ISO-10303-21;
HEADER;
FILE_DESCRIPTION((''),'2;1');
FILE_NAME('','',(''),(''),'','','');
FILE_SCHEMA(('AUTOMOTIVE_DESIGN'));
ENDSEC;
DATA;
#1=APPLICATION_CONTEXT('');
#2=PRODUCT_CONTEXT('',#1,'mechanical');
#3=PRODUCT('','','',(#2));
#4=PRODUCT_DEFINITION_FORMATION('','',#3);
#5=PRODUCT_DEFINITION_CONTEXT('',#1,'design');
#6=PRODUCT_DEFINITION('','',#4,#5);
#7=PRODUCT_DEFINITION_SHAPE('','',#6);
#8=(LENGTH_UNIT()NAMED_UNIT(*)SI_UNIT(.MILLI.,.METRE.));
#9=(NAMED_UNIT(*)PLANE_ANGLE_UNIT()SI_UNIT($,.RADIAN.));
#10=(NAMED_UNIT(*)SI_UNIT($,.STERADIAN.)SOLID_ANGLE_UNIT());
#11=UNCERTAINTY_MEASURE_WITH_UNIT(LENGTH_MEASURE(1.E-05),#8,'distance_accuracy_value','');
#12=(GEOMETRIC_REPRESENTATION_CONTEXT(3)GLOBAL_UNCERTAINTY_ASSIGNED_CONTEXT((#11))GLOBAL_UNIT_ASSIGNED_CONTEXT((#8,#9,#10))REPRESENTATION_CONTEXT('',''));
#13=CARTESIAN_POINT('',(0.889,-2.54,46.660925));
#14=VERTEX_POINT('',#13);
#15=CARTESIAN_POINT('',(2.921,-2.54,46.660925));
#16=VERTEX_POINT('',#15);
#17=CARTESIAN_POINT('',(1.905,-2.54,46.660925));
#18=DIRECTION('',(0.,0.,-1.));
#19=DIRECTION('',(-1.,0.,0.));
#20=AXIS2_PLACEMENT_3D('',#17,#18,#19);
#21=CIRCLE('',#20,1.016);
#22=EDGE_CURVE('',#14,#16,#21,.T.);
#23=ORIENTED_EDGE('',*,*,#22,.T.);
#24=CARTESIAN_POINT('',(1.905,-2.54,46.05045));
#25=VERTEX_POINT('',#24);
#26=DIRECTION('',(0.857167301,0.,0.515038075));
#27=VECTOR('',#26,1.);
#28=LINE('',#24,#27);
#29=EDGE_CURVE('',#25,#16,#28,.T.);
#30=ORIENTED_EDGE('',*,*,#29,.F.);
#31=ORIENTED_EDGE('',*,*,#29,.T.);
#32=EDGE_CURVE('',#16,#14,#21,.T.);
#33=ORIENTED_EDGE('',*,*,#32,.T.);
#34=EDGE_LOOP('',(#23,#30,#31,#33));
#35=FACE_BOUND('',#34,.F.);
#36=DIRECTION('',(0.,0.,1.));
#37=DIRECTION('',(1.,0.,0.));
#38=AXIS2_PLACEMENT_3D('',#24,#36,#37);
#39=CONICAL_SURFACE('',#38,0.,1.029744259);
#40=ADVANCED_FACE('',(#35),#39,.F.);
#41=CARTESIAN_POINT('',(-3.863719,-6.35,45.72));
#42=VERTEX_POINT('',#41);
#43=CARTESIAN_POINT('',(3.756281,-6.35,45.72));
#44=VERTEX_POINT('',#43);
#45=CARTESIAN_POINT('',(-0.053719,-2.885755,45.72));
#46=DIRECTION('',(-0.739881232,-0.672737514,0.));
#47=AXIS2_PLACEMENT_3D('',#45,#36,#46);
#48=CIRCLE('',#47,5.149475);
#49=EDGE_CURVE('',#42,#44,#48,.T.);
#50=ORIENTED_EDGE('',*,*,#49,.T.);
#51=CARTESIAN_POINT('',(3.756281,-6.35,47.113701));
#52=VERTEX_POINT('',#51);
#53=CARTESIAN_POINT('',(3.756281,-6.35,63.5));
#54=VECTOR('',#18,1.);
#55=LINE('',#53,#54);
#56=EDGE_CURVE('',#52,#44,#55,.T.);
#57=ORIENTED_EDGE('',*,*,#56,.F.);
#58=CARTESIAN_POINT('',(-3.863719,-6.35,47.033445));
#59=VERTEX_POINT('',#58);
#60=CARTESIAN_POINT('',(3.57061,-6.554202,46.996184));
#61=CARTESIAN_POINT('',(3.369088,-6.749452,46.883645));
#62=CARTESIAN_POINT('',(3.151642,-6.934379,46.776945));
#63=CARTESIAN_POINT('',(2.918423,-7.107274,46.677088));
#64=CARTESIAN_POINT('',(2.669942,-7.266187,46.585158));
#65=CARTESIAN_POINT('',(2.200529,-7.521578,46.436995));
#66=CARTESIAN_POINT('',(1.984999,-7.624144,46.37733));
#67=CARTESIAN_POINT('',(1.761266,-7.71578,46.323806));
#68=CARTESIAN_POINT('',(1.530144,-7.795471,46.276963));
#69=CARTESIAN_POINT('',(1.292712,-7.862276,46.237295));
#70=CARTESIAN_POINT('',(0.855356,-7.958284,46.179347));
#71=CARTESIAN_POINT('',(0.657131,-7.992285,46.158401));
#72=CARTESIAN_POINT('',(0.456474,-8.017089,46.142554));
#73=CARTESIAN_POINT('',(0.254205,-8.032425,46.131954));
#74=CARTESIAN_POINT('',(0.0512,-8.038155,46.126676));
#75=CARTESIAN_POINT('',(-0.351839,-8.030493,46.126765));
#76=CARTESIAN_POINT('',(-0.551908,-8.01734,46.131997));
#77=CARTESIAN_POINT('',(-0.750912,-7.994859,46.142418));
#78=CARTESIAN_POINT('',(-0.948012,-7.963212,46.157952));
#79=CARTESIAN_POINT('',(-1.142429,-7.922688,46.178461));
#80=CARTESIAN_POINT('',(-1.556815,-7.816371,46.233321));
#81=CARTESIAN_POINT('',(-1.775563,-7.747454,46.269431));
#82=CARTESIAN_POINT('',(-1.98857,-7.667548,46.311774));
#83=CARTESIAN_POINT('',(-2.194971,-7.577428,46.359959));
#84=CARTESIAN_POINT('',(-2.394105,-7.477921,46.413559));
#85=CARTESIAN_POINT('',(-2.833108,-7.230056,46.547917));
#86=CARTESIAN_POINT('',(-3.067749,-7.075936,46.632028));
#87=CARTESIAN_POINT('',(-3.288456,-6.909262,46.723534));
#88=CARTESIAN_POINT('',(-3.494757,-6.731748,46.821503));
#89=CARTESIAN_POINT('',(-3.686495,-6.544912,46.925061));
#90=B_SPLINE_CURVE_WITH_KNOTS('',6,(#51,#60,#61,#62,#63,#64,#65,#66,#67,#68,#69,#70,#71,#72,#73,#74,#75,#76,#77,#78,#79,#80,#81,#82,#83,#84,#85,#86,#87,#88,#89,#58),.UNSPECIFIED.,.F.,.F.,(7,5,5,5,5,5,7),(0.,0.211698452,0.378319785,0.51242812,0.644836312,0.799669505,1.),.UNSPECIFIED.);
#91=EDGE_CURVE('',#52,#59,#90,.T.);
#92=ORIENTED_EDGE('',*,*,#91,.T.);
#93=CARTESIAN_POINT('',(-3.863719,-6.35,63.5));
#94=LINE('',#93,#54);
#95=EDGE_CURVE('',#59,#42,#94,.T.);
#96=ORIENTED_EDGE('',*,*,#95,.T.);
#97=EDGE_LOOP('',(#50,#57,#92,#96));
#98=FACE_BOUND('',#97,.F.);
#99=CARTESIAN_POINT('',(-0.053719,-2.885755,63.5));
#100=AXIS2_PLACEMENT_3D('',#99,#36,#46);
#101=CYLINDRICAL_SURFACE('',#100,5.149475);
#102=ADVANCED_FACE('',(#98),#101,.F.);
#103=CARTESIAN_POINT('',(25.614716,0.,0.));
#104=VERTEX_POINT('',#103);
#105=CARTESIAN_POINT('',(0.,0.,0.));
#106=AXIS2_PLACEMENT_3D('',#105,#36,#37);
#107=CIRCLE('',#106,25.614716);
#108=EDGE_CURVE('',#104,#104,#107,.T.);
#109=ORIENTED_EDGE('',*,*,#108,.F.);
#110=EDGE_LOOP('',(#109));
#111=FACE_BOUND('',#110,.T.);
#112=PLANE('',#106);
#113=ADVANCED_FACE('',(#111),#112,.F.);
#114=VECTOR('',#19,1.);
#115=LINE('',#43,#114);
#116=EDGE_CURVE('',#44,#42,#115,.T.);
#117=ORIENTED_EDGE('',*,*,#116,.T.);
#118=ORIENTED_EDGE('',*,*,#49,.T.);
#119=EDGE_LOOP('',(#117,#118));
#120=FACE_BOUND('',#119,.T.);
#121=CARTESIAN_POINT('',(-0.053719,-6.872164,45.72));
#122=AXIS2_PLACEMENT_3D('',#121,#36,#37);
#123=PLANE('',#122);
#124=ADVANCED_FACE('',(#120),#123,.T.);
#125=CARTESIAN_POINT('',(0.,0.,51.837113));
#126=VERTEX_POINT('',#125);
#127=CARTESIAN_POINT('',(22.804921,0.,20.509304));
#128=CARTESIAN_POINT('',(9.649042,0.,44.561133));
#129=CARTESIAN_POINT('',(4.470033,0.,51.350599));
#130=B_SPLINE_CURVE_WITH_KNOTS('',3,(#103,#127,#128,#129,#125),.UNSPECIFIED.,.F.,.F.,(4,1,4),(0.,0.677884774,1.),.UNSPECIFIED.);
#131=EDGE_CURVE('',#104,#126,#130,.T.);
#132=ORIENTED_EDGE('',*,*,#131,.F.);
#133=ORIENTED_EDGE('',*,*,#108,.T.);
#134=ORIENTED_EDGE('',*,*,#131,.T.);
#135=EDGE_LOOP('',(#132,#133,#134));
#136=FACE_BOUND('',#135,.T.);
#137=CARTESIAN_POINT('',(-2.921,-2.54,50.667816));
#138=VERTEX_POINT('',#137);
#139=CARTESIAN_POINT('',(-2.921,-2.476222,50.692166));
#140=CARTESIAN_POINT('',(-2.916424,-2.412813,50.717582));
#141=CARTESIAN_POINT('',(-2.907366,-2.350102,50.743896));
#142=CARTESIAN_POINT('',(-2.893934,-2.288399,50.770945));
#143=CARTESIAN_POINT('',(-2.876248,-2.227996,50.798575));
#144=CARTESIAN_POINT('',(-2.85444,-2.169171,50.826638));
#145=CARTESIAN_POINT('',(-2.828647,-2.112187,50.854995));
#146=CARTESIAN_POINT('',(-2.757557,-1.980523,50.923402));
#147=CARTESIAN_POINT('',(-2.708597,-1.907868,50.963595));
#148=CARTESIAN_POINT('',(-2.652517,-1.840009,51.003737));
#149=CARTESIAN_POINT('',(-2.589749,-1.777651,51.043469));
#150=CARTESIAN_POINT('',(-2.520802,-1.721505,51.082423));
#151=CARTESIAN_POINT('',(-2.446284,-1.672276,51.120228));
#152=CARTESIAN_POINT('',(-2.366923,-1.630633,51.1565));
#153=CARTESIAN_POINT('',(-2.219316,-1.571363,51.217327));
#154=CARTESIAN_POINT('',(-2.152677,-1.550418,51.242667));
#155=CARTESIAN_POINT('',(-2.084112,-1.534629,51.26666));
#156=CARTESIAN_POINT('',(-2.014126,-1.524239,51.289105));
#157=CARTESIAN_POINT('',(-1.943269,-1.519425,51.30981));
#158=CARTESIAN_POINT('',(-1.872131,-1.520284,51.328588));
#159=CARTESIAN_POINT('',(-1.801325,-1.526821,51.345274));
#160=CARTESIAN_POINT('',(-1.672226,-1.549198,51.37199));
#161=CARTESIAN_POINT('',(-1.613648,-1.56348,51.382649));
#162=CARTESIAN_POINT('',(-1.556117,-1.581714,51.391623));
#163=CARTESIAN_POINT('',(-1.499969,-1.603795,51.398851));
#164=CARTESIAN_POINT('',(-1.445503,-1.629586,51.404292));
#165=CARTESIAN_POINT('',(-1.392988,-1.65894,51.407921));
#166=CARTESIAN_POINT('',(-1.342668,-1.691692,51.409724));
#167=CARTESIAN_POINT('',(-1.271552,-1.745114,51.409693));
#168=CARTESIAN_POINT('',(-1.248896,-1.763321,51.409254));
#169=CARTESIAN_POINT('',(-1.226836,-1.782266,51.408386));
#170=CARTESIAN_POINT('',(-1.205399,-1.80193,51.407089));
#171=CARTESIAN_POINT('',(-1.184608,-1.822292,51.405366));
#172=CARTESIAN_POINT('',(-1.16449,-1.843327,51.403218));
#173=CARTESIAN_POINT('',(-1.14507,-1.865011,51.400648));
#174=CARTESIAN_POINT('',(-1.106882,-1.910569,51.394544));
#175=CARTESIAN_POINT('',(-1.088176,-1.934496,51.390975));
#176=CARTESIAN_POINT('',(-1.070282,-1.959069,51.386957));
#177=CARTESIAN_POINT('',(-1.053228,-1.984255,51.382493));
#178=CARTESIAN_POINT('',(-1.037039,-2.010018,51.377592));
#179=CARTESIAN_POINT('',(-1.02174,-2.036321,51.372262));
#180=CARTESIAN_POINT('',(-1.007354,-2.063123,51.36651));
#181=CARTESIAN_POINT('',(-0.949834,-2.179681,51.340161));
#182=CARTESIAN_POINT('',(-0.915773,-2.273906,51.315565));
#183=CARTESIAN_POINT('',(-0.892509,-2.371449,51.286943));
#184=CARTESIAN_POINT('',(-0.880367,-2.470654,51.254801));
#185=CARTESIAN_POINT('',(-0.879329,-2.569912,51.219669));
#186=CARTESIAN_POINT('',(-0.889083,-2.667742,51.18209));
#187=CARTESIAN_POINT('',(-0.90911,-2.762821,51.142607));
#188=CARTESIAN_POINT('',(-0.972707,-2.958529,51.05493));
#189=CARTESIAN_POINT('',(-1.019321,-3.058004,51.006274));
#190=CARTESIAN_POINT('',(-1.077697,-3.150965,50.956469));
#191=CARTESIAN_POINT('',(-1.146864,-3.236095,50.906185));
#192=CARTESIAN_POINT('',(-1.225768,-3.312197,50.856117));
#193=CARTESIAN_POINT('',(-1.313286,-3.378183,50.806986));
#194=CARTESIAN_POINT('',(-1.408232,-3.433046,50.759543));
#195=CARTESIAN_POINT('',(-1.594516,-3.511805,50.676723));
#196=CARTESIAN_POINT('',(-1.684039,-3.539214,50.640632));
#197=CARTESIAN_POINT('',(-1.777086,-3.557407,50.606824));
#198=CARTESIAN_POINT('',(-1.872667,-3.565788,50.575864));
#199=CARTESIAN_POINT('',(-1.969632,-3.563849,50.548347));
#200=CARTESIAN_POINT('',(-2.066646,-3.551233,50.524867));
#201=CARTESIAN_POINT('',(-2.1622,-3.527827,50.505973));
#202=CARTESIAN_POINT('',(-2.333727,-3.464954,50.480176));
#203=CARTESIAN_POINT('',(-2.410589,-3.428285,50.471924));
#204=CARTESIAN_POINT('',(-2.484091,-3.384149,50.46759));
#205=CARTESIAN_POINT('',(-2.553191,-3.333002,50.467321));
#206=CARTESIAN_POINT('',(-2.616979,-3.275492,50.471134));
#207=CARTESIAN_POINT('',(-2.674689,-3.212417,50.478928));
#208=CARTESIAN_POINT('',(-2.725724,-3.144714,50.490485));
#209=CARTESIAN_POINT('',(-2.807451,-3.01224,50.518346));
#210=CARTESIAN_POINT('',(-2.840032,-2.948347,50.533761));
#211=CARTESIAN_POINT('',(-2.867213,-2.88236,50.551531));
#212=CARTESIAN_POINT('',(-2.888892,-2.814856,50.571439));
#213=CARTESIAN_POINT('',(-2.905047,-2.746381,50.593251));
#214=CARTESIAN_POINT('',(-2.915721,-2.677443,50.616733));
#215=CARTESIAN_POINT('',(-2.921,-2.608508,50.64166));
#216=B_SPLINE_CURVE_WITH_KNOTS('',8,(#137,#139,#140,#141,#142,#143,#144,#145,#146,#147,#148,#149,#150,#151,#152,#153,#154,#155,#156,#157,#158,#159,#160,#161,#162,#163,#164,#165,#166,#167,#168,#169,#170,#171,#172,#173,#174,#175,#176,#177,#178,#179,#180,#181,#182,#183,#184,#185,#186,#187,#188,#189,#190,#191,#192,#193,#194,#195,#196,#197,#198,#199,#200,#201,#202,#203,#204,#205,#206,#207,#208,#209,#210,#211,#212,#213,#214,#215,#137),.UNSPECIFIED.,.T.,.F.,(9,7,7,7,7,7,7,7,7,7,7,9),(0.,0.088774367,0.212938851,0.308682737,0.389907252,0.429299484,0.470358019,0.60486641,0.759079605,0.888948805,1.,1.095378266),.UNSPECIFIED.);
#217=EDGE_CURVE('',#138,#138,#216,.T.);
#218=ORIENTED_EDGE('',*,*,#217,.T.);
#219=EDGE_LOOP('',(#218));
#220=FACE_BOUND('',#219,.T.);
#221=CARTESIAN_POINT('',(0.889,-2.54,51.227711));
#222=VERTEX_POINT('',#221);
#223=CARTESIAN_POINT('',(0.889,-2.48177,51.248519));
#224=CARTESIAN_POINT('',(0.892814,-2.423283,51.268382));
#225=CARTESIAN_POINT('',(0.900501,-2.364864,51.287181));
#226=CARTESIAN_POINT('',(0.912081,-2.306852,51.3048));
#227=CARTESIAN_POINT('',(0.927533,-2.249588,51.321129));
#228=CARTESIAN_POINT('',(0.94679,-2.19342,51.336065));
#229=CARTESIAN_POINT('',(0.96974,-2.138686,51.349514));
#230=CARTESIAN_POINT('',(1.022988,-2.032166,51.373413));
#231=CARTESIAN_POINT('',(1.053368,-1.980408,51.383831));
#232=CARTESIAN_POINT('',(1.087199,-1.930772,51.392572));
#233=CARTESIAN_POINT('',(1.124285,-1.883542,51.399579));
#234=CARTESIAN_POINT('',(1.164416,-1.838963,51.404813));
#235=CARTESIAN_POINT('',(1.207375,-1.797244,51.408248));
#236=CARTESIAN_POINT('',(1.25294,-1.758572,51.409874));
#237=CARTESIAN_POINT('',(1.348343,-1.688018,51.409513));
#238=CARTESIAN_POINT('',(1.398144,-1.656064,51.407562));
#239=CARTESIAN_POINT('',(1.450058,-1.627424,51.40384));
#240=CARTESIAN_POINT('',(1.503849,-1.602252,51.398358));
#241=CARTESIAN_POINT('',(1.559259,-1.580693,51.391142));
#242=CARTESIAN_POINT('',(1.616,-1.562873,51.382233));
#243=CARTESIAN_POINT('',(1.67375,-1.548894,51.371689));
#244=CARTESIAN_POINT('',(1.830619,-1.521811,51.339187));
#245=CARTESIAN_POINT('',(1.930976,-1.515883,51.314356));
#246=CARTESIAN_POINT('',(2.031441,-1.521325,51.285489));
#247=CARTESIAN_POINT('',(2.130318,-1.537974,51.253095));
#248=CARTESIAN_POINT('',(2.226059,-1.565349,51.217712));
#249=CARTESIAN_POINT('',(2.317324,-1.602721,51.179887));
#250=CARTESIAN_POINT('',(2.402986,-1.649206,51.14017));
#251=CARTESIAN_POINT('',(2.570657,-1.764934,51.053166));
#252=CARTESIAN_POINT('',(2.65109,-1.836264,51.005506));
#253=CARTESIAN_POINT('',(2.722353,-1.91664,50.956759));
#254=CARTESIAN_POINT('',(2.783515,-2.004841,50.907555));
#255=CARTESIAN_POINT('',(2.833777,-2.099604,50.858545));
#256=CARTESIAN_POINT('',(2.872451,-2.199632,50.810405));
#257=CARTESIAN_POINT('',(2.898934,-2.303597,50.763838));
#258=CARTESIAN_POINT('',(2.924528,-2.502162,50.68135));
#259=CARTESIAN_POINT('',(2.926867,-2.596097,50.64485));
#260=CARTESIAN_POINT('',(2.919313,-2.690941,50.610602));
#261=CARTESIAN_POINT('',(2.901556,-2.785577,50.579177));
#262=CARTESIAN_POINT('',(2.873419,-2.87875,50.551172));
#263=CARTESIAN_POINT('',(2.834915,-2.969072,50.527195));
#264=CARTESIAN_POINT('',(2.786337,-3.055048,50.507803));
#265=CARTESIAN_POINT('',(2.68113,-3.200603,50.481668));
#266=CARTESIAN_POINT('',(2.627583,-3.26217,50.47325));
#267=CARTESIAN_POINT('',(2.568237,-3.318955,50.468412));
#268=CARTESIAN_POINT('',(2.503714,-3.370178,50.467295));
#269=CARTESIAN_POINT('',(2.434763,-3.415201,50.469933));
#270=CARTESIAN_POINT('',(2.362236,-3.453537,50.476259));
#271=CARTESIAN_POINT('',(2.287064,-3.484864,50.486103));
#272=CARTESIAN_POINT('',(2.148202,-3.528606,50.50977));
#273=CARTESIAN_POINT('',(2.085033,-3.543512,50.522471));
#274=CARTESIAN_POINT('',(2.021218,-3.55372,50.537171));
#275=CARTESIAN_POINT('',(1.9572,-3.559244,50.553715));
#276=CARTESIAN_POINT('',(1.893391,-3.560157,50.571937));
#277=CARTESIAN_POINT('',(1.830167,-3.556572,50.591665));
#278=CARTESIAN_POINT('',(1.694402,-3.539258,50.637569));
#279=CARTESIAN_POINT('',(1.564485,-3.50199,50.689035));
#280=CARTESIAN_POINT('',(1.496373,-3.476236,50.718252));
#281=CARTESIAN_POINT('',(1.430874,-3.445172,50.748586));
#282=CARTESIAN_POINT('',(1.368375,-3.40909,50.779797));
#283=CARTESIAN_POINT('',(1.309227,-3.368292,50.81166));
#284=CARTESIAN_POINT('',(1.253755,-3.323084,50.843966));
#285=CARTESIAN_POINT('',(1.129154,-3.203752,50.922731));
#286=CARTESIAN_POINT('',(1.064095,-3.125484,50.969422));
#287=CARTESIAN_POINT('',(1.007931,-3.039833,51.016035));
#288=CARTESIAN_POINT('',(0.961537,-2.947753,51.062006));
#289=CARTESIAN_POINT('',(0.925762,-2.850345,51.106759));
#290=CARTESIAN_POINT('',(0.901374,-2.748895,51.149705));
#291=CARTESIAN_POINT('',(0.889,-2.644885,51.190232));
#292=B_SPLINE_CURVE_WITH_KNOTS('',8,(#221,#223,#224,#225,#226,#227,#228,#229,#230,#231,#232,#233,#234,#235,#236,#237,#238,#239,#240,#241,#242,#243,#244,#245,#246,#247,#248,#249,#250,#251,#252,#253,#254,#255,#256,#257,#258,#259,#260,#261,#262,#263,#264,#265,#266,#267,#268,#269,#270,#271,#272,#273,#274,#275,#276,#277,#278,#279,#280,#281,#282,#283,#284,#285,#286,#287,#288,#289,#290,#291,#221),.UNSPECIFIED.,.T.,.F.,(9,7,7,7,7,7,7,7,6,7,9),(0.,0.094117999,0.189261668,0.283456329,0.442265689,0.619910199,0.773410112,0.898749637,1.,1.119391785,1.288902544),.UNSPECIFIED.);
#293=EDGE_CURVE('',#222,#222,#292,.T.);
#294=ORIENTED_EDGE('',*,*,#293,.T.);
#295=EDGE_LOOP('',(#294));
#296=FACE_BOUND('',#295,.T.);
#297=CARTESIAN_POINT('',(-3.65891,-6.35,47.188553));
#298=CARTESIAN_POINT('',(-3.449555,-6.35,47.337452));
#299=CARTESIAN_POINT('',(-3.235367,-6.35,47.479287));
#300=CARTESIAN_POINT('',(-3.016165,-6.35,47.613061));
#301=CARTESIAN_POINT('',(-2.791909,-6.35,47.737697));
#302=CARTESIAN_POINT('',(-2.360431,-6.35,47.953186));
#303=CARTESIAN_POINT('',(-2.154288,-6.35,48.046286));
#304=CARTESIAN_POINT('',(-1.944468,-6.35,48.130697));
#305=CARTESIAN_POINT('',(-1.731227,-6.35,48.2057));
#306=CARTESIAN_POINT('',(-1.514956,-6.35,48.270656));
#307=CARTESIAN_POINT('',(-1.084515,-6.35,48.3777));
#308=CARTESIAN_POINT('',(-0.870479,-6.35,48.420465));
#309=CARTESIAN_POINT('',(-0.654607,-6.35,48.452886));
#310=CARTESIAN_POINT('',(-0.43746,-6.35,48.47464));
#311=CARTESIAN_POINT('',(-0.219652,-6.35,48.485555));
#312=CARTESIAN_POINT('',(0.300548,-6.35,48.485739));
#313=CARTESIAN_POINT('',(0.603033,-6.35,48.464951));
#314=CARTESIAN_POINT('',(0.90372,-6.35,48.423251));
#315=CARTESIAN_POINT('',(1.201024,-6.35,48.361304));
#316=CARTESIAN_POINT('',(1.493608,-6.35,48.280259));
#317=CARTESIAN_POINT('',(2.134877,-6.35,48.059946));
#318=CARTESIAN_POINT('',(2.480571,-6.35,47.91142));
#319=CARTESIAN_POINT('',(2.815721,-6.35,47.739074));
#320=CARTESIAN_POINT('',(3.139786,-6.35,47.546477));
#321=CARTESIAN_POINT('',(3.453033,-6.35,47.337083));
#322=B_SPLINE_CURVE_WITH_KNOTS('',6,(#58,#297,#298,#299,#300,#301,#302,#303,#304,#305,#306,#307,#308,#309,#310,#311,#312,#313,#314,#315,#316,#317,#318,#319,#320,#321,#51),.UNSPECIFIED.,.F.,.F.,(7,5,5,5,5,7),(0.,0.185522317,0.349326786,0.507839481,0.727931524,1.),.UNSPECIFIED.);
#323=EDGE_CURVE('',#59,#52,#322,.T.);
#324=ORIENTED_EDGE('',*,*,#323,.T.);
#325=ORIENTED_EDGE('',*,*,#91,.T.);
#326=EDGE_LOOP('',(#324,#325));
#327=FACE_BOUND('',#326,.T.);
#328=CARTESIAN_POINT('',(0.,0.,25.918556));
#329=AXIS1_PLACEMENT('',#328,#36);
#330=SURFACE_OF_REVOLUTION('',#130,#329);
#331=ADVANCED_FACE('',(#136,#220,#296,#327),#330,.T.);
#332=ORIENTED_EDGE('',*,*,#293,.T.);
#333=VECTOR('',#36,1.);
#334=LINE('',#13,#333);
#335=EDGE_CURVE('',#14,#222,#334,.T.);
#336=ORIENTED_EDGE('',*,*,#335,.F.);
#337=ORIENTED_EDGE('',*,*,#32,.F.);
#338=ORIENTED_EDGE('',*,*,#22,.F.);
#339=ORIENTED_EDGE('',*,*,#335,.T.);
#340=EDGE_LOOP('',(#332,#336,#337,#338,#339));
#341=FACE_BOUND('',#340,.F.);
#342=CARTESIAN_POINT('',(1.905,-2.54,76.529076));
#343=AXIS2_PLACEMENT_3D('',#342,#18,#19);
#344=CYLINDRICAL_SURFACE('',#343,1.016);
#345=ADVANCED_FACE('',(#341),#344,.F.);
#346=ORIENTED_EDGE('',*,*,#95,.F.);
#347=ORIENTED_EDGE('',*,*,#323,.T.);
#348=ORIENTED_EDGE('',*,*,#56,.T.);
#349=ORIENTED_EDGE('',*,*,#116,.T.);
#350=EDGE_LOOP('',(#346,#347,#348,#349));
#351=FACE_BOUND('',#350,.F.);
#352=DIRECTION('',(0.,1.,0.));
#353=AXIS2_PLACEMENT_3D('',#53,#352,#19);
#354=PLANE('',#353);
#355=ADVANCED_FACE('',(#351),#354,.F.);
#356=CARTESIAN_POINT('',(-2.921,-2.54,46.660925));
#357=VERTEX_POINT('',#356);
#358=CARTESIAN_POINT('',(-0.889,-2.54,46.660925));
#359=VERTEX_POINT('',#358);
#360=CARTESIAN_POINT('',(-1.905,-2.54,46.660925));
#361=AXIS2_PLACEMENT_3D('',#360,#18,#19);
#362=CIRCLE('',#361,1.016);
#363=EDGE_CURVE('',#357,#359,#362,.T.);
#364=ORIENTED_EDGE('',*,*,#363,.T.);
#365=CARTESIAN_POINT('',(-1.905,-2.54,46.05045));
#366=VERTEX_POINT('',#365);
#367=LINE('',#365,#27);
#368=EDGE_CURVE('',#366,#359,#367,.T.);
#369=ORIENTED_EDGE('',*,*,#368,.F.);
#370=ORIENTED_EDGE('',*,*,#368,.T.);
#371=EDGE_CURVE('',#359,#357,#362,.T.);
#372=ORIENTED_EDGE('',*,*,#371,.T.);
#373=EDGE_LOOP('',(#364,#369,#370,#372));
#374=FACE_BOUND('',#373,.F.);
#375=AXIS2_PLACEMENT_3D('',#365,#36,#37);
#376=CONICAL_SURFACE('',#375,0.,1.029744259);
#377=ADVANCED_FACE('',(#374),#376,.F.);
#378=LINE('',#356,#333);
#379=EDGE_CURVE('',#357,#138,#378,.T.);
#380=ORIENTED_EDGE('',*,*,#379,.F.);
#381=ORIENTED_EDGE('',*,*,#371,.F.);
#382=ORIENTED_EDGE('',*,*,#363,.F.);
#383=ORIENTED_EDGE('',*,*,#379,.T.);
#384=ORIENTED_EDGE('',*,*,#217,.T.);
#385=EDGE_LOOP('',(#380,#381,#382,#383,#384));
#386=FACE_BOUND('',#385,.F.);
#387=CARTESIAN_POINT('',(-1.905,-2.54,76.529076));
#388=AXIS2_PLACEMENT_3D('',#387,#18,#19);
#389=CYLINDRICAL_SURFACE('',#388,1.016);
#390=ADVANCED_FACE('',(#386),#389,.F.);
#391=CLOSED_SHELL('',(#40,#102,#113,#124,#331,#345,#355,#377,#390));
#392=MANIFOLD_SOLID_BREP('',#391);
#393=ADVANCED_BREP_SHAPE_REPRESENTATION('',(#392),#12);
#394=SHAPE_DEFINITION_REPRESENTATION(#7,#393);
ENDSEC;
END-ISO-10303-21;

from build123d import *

# Parameters (mm, degrees)
F4_D     = 2.032
F4_DEPTH = 3.81
F4_START = 13.0290755
F4_TIP   = 0.6104743889
F5_DEPTH = 17.78


with BuildPart() as f1:
    # F0 (on Front) → F1 (revolve)
    with BuildSketch(Plane.XZ):
        with BuildLine():
            Line((0, 51.8371127546), (0, 0))
            Line((0, 0), (25.6147161126, 0))
            add(Edge.make_bspline(
                [(25.6147161126, 0), (22.8049212909, 20.5093036404), (9.6490421389, 44.5611330733), (4.4700330506, 51.3505992855), (0, 51.8371127546)],
                knots=[0, 0, 0, 0, 0.6778847742, 1, 1, 1, 1], degree=3))
        make_face()
    revolve(axis=Axis((0, 0, 25.9185563773), (0, 0, 1)))

    # F4
    # its depths count from where the whole tool has entered the part; down to there all is cleared
    with Locations(Plane.XY.offset(63.5)):
        with Locations((-1.905, -2.54), (1.905, -2.54)):
            Hole(F4_D / 2, depth=F4_START)
    with Locations(Plane.XY.offset(63.5).offset(-F4_START)):
        with Locations((-1.905, -2.54), (1.905, -2.54)):
            Hole(F4_D / 2, depth=F4_DEPTH)
            with Locations((0, 0, -(F4_DEPTH + F4_TIP / 2))):  # 118° drill point
                Cone(0, F4_D / 2, F4_TIP, mode=Mode.SUBTRACT)

    # F3 (on offset) → F5 (cut)
    with BuildSketch(Plane.XY.offset(63.5)):
        with BuildLine():
            Line((3.7562806858, -6.35), (-3.8637193142, -6.35))
            ThreePointArc((-3.8637193142, -6.35), (-0.0537193142, -8.035230032), (3.7562806858, -6.35))
        make_face()
    extrude(amount=-F5_DEPTH, mode=Mode.SUBTRACT)


solid = f1.part
